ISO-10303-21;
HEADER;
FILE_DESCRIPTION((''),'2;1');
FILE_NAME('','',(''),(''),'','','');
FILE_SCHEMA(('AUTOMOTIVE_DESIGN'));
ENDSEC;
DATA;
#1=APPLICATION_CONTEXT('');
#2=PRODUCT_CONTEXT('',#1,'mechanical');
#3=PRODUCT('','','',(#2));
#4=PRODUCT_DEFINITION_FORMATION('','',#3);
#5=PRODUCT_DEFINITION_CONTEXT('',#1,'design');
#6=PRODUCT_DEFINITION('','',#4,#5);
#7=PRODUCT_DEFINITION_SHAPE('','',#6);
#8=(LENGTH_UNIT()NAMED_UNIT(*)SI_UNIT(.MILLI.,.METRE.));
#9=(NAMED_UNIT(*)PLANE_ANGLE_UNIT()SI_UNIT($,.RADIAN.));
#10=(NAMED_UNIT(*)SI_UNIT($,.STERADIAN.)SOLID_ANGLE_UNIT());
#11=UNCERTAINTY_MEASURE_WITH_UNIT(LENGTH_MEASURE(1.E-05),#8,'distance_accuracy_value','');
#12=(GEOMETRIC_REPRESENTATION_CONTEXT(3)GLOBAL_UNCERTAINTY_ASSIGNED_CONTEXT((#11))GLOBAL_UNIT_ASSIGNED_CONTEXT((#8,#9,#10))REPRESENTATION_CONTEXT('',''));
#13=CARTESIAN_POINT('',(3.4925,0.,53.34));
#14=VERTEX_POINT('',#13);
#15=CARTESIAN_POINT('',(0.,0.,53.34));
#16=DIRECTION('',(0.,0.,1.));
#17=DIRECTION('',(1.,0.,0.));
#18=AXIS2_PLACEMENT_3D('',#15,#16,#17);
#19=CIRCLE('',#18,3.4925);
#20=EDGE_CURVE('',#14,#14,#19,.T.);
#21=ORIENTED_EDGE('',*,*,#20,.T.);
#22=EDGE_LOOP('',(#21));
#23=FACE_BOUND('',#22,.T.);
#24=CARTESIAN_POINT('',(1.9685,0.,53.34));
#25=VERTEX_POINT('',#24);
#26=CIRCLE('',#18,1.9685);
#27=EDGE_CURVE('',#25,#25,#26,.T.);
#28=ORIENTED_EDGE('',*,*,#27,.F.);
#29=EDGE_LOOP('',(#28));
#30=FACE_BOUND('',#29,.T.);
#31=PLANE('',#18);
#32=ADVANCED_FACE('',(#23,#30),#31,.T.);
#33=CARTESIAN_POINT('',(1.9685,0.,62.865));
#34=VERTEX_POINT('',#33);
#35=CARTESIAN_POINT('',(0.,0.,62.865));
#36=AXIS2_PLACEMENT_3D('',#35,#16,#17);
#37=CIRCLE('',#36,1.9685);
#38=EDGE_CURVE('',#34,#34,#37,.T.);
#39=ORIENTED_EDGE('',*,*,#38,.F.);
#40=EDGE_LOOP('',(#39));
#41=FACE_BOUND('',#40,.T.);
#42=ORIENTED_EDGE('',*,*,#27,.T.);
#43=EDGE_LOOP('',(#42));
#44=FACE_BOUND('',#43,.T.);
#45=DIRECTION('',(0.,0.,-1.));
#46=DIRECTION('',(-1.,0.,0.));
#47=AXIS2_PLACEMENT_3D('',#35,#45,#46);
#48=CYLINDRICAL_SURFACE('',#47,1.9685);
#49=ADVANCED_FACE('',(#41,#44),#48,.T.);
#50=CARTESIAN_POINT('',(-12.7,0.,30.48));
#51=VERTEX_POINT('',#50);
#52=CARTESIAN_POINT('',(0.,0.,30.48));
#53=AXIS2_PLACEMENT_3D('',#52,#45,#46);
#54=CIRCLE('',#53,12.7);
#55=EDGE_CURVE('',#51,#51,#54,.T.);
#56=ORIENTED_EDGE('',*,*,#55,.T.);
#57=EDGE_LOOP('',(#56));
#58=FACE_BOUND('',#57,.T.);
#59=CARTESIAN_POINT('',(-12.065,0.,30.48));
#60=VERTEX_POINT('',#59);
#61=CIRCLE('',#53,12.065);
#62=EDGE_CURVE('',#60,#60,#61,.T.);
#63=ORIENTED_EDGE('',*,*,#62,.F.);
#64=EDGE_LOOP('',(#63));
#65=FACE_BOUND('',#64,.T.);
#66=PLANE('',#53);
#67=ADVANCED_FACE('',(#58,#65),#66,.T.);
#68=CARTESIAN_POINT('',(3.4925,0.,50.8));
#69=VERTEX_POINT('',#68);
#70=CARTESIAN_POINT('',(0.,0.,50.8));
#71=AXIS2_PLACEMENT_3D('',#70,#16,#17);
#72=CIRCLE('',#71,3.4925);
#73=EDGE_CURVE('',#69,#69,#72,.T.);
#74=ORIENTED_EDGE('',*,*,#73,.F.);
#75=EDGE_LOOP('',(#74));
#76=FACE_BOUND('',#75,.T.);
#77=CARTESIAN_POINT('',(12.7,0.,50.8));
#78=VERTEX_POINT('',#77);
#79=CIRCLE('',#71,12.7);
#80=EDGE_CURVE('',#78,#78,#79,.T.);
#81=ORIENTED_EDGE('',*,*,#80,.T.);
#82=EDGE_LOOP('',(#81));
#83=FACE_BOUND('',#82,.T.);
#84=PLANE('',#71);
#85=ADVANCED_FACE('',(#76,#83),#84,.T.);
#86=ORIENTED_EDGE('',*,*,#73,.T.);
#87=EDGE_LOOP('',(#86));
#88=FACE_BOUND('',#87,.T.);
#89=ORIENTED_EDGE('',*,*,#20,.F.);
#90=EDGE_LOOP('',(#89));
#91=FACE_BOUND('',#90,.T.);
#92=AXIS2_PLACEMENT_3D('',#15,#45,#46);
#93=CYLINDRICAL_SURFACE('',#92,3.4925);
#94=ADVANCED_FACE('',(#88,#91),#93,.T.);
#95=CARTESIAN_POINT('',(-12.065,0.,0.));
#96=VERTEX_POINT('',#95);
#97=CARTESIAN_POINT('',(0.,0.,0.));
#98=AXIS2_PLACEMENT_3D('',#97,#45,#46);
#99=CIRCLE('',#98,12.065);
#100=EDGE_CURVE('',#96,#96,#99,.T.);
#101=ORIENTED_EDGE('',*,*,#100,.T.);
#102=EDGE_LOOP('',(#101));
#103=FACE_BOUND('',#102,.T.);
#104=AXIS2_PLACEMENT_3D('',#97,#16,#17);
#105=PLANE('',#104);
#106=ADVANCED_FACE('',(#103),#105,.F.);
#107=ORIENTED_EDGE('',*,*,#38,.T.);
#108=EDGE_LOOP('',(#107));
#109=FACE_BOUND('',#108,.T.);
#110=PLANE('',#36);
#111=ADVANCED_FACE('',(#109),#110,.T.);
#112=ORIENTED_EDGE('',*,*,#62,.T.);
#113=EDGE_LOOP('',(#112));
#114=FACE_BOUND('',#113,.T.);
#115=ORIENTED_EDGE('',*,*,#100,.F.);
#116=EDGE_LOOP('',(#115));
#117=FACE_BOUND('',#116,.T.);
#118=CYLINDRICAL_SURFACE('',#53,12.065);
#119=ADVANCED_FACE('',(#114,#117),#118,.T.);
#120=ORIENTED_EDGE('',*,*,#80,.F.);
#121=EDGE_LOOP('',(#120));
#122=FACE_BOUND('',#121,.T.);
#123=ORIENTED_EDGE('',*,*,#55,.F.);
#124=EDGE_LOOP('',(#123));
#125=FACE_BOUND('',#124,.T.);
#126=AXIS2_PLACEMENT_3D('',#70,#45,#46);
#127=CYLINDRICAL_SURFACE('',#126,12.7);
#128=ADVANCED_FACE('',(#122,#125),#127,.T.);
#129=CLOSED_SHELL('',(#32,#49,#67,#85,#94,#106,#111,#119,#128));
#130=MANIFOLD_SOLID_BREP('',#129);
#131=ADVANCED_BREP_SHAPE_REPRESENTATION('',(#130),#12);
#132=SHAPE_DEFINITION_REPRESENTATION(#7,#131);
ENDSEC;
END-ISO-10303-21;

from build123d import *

# Parameters (mm, degrees)
SKETCH1_R           = 12.7
BOSS_EXTRUDE1_DEPTH = 50.8
SKETCH2_R           = 3.4925
BOSS_EXTRUDE2_DEPTH = 2.54
SKETCH3_R           = 1.9685
BOSS_EXTRUDE3_DEPTH = 9.525
SKETCH4_OUTSIDE_W   = 41.88
SKETCH4_OUTSIDE_H   = 41.88
SKETCH4_OUTSIDE_R   = 12.065
CUT_EXTRUDE1_DEPTH  = 30.48


with BuildPart() as part:
    # Sketch1 → Boss-Extrude1 (new body)
    with BuildSketch(Plane.XY):
        Circle(SKETCH1_R)
    extrude(amount=BOSS_EXTRUDE1_DEPTH)

    # Sketch2 → Boss-Extrude2 (add)
    with BuildSketch(Plane.XY.offset(50.8)):
        Circle(SKETCH2_R)
    extrude(amount=BOSS_EXTRUDE2_DEPTH)

    # Sketch3 → Boss-Extrude3 (add)
    with BuildSketch(Plane.XY.offset(53.34)):
        Circle(SKETCH3_R)
    extrude(amount=BOSS_EXTRUDE3_DEPTH)

    # Sketch4 outside → Cut-Extrude1 (cut)
    with BuildSketch(Plane(origin=(0, 0, 0), x_dir=(-1, 0, 0), z_dir=(0, 0, -1))):
        Rectangle(SKETCH4_OUTSIDE_W, SKETCH4_OUTSIDE_H)
        Circle(SKETCH4_OUTSIDE_R, mode=Mode.SUBTRACT)
    extrude(amount=-CUT_EXTRUDE1_DEPTH, mode=Mode.SUBTRACT)


solid = part.part
